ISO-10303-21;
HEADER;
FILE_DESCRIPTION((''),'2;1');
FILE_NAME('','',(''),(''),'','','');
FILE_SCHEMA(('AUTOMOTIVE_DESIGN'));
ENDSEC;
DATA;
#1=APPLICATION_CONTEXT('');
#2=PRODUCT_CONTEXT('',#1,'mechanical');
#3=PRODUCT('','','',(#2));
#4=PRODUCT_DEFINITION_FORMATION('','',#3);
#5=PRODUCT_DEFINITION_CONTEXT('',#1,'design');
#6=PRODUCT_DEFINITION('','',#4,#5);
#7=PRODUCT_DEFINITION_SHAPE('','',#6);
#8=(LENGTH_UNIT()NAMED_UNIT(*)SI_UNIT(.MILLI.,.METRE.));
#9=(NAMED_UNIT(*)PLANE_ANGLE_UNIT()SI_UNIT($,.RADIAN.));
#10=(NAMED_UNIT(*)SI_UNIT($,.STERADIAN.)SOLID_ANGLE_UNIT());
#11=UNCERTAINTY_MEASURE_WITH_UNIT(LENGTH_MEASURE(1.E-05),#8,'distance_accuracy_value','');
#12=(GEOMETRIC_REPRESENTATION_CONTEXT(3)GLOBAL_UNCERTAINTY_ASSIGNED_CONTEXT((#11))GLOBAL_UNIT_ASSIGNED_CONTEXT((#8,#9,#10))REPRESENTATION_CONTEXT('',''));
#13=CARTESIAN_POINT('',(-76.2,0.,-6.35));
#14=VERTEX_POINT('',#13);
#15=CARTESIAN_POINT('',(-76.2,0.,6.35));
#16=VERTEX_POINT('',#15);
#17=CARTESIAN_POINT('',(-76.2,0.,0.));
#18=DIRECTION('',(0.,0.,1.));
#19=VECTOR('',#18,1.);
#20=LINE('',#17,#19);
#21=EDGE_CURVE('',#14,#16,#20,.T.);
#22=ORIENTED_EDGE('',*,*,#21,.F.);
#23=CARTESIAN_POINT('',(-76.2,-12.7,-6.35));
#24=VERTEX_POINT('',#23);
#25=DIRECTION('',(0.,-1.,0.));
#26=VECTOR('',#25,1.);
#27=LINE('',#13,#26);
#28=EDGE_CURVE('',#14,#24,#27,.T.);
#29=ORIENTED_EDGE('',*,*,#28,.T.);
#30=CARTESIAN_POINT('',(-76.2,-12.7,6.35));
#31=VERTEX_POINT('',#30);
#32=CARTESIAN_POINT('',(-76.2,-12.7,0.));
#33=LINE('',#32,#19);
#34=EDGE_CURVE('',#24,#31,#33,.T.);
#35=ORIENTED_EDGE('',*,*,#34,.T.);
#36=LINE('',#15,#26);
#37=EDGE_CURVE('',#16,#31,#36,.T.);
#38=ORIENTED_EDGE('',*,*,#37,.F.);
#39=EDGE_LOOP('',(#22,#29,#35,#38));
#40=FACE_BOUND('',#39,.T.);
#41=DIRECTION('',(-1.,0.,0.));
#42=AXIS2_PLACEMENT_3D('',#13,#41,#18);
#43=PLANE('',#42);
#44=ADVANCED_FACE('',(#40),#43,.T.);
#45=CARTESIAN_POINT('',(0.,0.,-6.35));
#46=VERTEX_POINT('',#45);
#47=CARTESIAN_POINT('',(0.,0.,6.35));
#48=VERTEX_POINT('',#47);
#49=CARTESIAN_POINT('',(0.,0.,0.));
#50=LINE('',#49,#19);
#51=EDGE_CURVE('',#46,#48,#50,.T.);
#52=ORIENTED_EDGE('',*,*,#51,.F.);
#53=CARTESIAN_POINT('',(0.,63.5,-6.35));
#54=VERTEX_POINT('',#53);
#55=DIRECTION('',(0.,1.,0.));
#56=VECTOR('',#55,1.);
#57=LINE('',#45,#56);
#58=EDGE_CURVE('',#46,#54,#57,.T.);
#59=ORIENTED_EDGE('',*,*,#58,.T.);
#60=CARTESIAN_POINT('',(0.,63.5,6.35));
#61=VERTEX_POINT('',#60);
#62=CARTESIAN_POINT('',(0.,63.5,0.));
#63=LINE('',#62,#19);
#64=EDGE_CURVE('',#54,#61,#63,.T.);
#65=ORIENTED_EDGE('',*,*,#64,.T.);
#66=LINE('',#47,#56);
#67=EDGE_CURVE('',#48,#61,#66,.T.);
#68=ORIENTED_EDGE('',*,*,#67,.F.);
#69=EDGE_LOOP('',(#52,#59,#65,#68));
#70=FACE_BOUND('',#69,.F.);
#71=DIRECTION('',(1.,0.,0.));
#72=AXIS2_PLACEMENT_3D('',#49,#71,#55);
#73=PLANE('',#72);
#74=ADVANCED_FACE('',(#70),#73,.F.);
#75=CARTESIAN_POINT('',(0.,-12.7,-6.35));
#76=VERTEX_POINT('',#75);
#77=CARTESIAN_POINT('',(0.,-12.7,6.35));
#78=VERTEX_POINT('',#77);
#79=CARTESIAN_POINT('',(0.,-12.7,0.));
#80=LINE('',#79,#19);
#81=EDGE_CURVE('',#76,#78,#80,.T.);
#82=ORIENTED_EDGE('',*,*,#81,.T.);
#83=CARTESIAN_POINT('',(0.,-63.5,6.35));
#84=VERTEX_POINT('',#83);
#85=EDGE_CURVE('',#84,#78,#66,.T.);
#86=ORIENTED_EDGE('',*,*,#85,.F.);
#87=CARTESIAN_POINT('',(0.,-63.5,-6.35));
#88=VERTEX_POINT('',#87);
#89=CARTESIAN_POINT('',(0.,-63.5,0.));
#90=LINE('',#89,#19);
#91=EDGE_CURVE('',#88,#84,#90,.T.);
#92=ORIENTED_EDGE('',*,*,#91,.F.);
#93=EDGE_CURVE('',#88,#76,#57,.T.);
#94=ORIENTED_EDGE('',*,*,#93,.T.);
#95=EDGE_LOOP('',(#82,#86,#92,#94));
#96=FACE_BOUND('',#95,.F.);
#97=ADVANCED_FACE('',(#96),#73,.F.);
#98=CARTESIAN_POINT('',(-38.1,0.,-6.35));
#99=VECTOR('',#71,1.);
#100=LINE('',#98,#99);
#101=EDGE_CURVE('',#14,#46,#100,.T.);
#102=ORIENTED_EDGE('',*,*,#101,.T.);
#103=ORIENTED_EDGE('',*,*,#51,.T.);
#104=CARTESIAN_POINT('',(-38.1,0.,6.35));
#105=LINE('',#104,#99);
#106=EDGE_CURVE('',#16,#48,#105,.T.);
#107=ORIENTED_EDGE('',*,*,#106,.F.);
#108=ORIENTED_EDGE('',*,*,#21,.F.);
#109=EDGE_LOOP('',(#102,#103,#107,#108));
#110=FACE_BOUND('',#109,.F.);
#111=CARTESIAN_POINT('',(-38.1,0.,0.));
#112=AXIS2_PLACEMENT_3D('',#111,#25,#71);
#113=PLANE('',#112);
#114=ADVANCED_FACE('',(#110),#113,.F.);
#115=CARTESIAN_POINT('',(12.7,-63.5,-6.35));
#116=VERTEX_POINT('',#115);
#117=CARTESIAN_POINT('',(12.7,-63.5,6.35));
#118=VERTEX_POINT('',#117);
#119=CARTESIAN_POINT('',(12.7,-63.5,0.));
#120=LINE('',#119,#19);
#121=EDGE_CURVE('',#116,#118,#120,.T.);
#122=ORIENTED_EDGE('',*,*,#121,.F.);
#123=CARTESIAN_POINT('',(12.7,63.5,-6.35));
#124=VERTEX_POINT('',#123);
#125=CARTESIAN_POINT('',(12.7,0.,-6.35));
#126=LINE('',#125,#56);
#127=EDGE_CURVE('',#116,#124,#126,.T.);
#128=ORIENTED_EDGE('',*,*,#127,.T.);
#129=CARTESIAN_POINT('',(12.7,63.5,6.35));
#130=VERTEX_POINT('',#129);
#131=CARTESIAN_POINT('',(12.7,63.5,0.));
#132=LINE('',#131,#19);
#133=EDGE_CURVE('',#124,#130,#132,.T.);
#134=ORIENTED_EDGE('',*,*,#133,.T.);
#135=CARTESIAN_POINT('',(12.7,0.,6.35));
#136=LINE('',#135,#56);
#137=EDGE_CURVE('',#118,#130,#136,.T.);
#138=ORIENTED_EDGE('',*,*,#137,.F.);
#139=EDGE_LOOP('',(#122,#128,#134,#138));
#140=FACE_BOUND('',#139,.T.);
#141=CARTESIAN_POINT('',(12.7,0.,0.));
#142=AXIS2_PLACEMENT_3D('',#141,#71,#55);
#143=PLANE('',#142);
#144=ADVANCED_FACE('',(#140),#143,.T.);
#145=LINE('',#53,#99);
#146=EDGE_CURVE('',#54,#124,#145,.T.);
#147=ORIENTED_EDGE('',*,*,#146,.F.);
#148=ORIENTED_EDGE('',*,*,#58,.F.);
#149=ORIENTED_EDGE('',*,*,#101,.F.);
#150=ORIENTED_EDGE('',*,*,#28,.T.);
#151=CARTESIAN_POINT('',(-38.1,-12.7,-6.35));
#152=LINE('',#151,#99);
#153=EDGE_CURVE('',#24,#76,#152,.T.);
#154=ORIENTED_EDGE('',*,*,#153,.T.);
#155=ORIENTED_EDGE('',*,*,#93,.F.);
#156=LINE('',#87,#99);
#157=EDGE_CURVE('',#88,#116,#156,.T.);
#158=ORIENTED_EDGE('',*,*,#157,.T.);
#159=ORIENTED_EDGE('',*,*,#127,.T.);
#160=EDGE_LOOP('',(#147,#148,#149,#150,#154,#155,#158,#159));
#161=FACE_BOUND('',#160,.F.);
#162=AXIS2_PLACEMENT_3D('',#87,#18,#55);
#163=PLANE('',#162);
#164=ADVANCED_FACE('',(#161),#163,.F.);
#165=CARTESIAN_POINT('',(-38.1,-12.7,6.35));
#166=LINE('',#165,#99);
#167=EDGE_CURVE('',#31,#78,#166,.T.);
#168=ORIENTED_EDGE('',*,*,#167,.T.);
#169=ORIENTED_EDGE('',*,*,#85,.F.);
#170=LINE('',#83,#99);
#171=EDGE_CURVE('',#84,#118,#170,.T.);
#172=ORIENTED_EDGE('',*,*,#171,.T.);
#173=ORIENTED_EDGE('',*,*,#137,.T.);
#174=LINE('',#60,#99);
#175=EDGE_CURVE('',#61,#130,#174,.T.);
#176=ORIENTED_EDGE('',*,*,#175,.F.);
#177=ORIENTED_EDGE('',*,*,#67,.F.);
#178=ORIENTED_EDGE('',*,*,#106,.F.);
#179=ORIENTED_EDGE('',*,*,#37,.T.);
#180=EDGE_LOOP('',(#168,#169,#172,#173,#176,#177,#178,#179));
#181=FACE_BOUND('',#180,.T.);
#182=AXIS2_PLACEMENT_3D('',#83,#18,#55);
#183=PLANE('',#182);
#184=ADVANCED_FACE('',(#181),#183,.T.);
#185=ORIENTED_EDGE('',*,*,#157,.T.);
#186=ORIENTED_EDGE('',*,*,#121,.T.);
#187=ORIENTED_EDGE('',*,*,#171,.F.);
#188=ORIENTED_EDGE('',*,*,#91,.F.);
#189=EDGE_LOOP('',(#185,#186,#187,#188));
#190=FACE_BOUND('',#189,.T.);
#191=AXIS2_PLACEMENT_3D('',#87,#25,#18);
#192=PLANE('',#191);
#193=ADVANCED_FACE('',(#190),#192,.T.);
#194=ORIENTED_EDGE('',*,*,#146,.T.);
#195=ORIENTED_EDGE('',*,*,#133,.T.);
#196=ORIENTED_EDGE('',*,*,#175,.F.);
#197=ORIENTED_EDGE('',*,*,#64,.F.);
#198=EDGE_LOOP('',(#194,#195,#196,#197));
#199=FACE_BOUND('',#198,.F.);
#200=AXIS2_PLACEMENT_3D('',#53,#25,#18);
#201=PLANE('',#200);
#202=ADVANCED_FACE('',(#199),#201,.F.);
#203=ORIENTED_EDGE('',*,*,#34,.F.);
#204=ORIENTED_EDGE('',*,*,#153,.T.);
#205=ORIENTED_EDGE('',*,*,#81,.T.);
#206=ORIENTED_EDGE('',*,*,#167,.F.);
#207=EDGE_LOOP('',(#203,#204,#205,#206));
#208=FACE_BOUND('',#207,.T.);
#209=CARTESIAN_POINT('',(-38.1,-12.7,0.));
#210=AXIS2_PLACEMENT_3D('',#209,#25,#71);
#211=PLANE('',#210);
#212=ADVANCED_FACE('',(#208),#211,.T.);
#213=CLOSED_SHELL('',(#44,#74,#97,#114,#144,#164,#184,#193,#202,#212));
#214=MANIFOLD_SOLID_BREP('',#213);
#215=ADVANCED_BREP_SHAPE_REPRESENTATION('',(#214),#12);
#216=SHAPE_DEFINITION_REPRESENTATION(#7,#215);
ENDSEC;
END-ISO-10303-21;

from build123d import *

# Parameters (mm, degrees)
F0_W     = 127
F0_H     = 12.7
F1_DEPTH = 12.7
F2_W     = 76.2
F2_H     = 12.7
F3_DEPTH = 12.7


with BuildPart() as f1:
    # F0 (on Right) → F1 (new body)
    with BuildSketch(Plane.YZ):
        Rectangle(F0_W, F0_H)
    extrude(amount=F1_DEPTH)

    # F2 (on Front) → F3 (join)
    with BuildSketch(Plane.XZ):
        with Locations((-38.1, 0)):
            Rectangle(F2_W, F2_H)
    extrude(amount=F3_DEPTH)


solid = f1.part
